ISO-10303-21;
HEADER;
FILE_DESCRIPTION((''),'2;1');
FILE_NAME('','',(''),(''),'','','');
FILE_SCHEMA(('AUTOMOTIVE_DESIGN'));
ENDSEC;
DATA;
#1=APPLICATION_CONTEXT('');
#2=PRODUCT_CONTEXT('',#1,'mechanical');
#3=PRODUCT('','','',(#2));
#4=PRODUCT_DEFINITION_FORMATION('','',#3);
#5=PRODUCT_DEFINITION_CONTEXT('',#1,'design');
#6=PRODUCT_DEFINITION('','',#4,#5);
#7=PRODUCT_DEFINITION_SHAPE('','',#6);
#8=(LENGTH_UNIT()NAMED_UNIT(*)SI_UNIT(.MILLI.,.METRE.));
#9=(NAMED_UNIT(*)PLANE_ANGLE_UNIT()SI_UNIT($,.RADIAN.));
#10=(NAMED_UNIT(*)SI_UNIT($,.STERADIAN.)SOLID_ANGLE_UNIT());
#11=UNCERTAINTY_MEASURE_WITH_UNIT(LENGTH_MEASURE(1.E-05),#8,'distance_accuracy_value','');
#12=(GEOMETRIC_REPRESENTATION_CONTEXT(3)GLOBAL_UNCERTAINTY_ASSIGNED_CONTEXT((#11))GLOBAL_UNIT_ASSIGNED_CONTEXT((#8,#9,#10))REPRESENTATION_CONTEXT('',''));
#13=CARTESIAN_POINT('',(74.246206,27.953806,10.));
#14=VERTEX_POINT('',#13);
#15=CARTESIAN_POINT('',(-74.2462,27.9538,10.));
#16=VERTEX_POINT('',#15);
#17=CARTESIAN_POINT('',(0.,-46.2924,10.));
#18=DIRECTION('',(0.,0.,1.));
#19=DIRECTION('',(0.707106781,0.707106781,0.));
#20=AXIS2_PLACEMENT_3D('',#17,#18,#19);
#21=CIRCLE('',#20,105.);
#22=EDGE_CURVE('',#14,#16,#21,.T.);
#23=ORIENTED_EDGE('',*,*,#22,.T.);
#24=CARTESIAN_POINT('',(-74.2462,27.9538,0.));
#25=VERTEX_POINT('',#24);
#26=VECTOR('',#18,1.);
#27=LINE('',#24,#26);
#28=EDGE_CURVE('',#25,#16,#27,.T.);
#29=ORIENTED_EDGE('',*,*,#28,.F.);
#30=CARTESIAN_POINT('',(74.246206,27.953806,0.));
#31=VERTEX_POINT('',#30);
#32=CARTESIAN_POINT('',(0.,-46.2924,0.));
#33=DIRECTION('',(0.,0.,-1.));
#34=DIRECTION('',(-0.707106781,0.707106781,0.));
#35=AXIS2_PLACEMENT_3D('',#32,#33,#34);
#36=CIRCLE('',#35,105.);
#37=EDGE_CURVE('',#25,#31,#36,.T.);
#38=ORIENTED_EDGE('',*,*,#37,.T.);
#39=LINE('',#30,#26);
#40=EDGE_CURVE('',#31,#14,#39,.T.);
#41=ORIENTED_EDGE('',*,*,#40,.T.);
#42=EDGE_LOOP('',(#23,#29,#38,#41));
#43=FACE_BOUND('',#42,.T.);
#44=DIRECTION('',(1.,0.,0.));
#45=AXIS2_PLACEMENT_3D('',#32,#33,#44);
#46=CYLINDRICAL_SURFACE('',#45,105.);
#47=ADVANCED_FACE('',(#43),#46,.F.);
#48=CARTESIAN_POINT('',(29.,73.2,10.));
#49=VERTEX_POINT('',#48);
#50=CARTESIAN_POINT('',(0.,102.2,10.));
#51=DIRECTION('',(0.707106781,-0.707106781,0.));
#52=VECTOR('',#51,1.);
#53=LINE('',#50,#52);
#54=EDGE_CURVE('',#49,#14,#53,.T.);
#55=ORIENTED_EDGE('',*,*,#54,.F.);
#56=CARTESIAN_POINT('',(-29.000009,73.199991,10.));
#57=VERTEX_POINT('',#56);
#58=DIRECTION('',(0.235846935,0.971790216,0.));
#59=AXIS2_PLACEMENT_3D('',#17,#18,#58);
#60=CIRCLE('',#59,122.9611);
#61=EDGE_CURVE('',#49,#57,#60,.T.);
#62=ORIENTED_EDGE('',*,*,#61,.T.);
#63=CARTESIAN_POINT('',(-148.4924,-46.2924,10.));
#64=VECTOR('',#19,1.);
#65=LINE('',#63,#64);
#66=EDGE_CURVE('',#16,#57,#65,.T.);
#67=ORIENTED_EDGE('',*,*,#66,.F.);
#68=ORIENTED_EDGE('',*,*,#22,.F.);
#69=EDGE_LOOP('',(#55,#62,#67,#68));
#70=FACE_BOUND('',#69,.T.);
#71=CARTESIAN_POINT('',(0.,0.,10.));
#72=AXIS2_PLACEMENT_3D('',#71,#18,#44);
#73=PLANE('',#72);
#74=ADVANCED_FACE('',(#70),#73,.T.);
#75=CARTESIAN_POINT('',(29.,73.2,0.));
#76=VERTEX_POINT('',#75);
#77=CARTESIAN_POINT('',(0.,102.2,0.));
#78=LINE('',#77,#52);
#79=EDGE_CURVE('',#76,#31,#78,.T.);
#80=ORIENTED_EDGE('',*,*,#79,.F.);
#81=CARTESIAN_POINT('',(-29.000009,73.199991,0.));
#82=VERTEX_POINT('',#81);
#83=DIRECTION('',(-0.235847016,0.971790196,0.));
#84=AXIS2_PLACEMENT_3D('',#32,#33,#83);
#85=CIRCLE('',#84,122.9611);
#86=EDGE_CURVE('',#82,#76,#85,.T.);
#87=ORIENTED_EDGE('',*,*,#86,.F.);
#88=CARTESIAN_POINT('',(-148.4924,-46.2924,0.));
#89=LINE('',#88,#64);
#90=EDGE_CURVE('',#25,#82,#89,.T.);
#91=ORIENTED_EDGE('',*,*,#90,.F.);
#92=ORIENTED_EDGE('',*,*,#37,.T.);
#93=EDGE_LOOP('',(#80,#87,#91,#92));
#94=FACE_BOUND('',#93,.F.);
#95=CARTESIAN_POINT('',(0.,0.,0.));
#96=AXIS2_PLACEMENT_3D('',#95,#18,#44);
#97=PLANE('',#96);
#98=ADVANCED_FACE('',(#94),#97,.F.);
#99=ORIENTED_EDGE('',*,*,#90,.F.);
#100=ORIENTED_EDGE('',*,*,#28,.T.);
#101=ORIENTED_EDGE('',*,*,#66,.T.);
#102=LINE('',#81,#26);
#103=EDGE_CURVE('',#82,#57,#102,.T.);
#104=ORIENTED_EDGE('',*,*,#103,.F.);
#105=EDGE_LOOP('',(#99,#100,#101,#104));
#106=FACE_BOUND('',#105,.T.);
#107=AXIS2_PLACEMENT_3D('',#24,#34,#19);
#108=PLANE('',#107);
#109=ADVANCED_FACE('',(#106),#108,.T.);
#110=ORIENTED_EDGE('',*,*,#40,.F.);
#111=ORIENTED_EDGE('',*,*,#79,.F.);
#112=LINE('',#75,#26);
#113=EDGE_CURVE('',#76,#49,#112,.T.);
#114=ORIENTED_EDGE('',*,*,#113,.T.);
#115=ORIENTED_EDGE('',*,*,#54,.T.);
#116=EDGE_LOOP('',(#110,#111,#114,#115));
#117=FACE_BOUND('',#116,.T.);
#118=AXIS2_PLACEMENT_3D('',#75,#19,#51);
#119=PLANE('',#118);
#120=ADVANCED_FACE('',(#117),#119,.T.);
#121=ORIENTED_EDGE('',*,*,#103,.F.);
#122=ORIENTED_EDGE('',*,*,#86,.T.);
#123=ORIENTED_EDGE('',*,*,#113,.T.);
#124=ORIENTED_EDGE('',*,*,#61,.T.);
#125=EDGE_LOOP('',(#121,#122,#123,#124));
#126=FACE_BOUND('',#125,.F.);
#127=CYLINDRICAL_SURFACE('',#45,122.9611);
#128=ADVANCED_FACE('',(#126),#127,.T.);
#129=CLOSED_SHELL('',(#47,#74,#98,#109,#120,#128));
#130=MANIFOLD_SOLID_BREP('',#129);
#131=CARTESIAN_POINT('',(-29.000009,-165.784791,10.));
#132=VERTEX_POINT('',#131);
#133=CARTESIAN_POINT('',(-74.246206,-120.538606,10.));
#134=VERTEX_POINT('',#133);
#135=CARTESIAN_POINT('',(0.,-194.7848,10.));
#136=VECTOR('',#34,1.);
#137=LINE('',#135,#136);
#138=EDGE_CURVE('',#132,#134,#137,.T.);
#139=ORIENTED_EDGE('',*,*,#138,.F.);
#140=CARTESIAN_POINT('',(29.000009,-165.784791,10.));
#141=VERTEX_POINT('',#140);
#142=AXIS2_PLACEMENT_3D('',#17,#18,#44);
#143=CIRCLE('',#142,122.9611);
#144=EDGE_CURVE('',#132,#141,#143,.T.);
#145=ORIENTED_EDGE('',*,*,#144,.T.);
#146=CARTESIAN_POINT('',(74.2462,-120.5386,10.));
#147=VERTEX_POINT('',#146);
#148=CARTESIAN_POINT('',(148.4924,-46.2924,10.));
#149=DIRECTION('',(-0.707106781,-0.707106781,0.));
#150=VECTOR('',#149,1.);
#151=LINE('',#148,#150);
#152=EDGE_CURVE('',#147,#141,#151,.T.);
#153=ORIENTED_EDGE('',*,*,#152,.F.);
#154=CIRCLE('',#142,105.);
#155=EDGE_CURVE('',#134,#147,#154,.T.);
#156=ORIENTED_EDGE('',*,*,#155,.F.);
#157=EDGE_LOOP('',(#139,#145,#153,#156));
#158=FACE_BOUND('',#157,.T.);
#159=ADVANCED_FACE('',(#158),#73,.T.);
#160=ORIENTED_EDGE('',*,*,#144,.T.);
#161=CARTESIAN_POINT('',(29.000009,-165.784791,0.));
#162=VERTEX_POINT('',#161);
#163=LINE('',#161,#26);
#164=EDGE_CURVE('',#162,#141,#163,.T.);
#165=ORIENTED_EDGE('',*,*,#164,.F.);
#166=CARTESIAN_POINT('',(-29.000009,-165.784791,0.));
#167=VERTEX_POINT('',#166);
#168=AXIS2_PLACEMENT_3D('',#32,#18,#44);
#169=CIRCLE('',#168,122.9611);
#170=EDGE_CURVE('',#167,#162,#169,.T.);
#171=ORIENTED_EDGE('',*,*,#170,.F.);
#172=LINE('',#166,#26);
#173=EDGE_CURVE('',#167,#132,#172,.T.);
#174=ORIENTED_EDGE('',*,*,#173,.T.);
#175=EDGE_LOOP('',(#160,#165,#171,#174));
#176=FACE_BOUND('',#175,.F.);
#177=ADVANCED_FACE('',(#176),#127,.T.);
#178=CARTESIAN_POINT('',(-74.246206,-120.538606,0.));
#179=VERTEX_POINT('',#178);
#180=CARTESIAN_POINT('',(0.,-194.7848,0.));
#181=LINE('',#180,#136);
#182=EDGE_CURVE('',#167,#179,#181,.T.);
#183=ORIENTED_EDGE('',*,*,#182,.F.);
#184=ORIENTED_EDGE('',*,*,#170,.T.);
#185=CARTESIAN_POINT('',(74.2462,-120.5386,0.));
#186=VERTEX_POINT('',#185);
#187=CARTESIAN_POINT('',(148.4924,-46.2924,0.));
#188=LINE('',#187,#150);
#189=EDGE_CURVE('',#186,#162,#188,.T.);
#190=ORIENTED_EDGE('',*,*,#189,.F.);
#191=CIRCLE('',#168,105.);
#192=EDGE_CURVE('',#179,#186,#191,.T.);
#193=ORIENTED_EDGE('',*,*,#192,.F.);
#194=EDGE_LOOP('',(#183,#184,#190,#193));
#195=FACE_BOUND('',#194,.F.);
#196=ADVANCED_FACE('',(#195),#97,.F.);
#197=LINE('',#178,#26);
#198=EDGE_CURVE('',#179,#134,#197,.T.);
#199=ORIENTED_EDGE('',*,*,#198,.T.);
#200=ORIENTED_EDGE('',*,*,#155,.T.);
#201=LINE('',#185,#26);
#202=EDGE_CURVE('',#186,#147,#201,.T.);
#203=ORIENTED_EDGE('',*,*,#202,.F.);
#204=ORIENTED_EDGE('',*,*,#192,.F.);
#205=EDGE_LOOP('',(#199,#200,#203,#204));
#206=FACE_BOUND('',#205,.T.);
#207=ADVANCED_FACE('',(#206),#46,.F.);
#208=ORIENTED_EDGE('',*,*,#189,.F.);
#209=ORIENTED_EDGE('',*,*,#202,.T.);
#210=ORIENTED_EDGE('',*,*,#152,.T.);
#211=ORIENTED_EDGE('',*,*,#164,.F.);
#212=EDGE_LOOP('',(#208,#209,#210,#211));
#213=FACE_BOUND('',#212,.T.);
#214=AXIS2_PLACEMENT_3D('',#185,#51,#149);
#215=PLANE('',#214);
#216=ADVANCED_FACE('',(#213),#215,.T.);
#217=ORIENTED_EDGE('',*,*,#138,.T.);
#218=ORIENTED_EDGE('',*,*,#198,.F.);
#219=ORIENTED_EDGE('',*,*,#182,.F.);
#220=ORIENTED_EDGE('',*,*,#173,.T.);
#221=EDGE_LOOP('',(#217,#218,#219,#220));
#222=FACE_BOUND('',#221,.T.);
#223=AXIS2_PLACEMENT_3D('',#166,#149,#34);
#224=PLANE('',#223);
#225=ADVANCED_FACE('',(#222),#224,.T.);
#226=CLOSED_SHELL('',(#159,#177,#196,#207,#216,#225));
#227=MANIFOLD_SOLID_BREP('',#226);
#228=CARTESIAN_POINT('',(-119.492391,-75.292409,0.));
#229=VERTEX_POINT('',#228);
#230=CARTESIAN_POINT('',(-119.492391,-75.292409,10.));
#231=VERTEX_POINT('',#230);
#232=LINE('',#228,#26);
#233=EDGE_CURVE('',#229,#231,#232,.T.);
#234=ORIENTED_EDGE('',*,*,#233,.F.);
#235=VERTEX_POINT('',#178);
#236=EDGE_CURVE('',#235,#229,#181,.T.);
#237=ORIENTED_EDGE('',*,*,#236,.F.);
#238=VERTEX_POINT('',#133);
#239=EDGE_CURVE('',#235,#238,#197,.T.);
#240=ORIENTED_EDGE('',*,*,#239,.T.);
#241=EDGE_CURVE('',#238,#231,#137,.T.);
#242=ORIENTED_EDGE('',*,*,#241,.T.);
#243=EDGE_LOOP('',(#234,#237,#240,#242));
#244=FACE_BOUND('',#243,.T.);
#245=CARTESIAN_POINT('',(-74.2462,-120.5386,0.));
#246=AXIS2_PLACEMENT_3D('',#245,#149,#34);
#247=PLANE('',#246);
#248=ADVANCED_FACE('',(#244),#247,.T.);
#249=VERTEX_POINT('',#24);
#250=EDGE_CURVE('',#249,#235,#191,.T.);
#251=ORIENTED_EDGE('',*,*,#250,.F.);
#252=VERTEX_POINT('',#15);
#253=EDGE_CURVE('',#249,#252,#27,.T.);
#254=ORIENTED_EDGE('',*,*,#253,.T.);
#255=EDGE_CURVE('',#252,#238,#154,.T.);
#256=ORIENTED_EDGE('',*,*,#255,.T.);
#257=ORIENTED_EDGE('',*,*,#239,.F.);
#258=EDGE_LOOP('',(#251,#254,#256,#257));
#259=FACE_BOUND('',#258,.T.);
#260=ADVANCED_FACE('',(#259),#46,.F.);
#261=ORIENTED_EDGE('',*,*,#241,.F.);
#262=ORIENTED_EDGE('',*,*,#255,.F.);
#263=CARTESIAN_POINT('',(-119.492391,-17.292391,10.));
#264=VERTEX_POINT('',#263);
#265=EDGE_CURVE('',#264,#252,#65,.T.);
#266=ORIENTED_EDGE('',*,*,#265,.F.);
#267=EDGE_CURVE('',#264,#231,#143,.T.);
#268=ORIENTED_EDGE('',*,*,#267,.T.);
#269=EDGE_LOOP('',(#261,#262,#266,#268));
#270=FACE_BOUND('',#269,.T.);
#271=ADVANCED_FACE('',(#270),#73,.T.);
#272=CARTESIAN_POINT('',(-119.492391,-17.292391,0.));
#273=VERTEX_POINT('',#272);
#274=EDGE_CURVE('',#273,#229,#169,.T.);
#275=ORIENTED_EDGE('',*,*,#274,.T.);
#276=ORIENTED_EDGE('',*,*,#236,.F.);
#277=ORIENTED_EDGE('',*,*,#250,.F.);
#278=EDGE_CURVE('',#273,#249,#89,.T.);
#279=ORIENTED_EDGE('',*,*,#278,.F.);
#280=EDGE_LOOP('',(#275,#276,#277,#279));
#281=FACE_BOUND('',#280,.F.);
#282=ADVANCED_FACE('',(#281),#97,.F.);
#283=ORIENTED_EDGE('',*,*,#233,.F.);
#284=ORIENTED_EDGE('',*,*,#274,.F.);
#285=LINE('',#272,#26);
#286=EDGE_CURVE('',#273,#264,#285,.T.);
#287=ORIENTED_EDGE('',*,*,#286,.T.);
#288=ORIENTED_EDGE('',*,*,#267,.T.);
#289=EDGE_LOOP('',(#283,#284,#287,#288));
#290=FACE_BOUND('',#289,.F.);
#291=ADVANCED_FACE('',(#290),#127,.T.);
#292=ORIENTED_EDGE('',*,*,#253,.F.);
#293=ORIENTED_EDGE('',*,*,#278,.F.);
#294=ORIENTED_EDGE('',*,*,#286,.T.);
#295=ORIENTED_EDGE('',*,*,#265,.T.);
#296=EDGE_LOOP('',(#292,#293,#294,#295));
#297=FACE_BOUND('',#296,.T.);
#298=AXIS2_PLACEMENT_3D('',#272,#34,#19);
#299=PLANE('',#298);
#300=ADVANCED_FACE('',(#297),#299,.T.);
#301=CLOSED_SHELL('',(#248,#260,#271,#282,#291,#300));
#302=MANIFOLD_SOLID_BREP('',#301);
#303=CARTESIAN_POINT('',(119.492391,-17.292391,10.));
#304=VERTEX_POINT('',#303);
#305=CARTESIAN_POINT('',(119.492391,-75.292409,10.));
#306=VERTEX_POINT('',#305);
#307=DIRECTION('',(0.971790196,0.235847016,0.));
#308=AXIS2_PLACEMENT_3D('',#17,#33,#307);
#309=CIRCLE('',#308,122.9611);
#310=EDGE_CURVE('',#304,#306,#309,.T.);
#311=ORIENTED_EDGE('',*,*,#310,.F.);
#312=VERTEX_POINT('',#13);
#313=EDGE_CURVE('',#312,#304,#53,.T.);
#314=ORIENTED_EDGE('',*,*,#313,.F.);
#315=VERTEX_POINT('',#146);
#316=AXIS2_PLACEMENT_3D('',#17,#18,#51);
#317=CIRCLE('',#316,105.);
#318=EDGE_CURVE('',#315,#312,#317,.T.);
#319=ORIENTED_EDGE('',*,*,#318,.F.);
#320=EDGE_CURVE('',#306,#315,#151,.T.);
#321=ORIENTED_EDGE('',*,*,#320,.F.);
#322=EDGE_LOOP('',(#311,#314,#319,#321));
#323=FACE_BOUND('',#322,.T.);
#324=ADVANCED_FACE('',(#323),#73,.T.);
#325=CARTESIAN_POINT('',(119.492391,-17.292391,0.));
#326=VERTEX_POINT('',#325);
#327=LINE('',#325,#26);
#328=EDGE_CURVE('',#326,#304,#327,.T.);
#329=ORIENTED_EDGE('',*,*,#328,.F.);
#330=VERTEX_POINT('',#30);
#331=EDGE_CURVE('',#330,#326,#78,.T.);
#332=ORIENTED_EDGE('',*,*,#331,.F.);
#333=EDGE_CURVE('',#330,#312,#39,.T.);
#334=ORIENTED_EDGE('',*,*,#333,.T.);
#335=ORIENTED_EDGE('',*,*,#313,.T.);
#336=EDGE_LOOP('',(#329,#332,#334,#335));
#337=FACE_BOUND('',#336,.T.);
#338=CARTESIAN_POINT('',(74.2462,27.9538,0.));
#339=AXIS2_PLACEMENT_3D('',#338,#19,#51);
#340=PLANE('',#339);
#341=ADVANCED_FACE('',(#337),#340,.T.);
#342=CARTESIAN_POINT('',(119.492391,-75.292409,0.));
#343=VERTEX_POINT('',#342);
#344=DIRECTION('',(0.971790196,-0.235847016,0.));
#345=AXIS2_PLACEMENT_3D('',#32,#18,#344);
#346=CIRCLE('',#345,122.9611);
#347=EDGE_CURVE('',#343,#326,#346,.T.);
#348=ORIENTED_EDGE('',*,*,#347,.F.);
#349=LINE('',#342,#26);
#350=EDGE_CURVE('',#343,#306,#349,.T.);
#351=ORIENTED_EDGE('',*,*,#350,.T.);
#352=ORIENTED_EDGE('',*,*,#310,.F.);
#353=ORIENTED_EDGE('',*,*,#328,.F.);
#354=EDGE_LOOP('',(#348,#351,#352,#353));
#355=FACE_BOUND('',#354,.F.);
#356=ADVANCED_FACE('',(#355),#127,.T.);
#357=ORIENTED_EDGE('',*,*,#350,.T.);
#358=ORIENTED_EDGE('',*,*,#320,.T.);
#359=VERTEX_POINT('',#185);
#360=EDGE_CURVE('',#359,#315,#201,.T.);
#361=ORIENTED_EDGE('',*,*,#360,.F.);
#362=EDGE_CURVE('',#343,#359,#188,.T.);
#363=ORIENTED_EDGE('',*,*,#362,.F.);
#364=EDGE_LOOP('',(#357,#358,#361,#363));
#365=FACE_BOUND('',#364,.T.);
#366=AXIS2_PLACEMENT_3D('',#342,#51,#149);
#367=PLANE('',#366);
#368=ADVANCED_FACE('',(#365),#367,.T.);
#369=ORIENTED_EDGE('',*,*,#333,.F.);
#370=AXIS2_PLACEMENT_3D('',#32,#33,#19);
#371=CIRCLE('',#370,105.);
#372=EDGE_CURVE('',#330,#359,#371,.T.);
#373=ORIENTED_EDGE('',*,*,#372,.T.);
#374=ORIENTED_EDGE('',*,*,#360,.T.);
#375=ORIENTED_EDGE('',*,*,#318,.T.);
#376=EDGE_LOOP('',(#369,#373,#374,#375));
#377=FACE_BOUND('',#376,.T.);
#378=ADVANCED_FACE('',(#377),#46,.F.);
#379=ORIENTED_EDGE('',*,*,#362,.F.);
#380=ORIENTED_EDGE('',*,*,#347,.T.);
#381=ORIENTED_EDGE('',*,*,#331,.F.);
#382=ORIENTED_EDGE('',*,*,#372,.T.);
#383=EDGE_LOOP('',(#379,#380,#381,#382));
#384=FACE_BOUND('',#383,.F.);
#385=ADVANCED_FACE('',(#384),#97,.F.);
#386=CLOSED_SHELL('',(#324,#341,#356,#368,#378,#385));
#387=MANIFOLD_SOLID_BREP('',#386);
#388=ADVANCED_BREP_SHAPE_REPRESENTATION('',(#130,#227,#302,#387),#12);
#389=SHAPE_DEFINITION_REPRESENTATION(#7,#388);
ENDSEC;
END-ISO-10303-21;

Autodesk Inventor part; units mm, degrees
ref_plane "YZ Plane" through (0, 0, 0) normal (1, 0, 0) x (0, 1, 0)
ref_plane "XZ Plane" through (0, 0, 0) normal (0, 1, 0) x (-1, 0, 0)
ref_plane "XY Plane" through (0, 0, 0) normal (0, 0, 1) x (1, 0, 0)
sketch "Sketch1" plane through (0, 0, 0) normal (0, 0, 1) x (1, 0, 0)
  line L0 (20, 22.75) -> (-20, 22.75) projected
  line L1 (29, 73.2) -> (29, 63.2)
  line L2 (0, 22.75) -> (0, 135.7646)
  line L3 (29, 73.2) -> (0, 102.2)
  line L4 (29, 73.2) -> (70.0122, 73.2) construction
  line L5 (0, 102.2) -> (148.4924, -46.2924)
  line L6 (148.4924, -46.2924) -> (0, -194.7848)
  line L7 (0, -194.7848) -> (-148.4924, -46.2924)
  line L8 (-148.4924, -46.2924) -> (0, 102.2)
  line L9 (0, 102.2) -> (210, 102.2) construction
  line L10 (-74.2462, 27.9538) -> (74.2462, -120.5386)
  circle A0 centre (0, -46.2924) radius 122.9611
  circle A1 centre (0, -46.2924) radius 105
  point P0 (0, 0)
  point P1 (-74.2462, -120.5386)
  point P2 (-29, -165.7848)
  point P3 (29, -165.7848)
  point P4 (74.2462, 27.9538)
  point P5 (-29, 73.2)
  point P6 (119.4924, -75.2924)
  point P7 (119.4924, -17.2924)
  point P8 (-119.4924, -17.2924)
  point P9 (-119.4924, -75.2924)
  dimension "d0" = 135
  dimension "d1" = 210
  dimension "d2" = 45
  dimension "d3" = 210
extrude "Extrusion1" add sketch "Sketch1" along normal blind 10 contours A1 L8 A0 L2 | L2 A0 L5 A1 | L5 A0 L6 A1 | A1 L7 A0 L8 | L6 A0 L7 A1
properties part number "MainBaseCircle210"
